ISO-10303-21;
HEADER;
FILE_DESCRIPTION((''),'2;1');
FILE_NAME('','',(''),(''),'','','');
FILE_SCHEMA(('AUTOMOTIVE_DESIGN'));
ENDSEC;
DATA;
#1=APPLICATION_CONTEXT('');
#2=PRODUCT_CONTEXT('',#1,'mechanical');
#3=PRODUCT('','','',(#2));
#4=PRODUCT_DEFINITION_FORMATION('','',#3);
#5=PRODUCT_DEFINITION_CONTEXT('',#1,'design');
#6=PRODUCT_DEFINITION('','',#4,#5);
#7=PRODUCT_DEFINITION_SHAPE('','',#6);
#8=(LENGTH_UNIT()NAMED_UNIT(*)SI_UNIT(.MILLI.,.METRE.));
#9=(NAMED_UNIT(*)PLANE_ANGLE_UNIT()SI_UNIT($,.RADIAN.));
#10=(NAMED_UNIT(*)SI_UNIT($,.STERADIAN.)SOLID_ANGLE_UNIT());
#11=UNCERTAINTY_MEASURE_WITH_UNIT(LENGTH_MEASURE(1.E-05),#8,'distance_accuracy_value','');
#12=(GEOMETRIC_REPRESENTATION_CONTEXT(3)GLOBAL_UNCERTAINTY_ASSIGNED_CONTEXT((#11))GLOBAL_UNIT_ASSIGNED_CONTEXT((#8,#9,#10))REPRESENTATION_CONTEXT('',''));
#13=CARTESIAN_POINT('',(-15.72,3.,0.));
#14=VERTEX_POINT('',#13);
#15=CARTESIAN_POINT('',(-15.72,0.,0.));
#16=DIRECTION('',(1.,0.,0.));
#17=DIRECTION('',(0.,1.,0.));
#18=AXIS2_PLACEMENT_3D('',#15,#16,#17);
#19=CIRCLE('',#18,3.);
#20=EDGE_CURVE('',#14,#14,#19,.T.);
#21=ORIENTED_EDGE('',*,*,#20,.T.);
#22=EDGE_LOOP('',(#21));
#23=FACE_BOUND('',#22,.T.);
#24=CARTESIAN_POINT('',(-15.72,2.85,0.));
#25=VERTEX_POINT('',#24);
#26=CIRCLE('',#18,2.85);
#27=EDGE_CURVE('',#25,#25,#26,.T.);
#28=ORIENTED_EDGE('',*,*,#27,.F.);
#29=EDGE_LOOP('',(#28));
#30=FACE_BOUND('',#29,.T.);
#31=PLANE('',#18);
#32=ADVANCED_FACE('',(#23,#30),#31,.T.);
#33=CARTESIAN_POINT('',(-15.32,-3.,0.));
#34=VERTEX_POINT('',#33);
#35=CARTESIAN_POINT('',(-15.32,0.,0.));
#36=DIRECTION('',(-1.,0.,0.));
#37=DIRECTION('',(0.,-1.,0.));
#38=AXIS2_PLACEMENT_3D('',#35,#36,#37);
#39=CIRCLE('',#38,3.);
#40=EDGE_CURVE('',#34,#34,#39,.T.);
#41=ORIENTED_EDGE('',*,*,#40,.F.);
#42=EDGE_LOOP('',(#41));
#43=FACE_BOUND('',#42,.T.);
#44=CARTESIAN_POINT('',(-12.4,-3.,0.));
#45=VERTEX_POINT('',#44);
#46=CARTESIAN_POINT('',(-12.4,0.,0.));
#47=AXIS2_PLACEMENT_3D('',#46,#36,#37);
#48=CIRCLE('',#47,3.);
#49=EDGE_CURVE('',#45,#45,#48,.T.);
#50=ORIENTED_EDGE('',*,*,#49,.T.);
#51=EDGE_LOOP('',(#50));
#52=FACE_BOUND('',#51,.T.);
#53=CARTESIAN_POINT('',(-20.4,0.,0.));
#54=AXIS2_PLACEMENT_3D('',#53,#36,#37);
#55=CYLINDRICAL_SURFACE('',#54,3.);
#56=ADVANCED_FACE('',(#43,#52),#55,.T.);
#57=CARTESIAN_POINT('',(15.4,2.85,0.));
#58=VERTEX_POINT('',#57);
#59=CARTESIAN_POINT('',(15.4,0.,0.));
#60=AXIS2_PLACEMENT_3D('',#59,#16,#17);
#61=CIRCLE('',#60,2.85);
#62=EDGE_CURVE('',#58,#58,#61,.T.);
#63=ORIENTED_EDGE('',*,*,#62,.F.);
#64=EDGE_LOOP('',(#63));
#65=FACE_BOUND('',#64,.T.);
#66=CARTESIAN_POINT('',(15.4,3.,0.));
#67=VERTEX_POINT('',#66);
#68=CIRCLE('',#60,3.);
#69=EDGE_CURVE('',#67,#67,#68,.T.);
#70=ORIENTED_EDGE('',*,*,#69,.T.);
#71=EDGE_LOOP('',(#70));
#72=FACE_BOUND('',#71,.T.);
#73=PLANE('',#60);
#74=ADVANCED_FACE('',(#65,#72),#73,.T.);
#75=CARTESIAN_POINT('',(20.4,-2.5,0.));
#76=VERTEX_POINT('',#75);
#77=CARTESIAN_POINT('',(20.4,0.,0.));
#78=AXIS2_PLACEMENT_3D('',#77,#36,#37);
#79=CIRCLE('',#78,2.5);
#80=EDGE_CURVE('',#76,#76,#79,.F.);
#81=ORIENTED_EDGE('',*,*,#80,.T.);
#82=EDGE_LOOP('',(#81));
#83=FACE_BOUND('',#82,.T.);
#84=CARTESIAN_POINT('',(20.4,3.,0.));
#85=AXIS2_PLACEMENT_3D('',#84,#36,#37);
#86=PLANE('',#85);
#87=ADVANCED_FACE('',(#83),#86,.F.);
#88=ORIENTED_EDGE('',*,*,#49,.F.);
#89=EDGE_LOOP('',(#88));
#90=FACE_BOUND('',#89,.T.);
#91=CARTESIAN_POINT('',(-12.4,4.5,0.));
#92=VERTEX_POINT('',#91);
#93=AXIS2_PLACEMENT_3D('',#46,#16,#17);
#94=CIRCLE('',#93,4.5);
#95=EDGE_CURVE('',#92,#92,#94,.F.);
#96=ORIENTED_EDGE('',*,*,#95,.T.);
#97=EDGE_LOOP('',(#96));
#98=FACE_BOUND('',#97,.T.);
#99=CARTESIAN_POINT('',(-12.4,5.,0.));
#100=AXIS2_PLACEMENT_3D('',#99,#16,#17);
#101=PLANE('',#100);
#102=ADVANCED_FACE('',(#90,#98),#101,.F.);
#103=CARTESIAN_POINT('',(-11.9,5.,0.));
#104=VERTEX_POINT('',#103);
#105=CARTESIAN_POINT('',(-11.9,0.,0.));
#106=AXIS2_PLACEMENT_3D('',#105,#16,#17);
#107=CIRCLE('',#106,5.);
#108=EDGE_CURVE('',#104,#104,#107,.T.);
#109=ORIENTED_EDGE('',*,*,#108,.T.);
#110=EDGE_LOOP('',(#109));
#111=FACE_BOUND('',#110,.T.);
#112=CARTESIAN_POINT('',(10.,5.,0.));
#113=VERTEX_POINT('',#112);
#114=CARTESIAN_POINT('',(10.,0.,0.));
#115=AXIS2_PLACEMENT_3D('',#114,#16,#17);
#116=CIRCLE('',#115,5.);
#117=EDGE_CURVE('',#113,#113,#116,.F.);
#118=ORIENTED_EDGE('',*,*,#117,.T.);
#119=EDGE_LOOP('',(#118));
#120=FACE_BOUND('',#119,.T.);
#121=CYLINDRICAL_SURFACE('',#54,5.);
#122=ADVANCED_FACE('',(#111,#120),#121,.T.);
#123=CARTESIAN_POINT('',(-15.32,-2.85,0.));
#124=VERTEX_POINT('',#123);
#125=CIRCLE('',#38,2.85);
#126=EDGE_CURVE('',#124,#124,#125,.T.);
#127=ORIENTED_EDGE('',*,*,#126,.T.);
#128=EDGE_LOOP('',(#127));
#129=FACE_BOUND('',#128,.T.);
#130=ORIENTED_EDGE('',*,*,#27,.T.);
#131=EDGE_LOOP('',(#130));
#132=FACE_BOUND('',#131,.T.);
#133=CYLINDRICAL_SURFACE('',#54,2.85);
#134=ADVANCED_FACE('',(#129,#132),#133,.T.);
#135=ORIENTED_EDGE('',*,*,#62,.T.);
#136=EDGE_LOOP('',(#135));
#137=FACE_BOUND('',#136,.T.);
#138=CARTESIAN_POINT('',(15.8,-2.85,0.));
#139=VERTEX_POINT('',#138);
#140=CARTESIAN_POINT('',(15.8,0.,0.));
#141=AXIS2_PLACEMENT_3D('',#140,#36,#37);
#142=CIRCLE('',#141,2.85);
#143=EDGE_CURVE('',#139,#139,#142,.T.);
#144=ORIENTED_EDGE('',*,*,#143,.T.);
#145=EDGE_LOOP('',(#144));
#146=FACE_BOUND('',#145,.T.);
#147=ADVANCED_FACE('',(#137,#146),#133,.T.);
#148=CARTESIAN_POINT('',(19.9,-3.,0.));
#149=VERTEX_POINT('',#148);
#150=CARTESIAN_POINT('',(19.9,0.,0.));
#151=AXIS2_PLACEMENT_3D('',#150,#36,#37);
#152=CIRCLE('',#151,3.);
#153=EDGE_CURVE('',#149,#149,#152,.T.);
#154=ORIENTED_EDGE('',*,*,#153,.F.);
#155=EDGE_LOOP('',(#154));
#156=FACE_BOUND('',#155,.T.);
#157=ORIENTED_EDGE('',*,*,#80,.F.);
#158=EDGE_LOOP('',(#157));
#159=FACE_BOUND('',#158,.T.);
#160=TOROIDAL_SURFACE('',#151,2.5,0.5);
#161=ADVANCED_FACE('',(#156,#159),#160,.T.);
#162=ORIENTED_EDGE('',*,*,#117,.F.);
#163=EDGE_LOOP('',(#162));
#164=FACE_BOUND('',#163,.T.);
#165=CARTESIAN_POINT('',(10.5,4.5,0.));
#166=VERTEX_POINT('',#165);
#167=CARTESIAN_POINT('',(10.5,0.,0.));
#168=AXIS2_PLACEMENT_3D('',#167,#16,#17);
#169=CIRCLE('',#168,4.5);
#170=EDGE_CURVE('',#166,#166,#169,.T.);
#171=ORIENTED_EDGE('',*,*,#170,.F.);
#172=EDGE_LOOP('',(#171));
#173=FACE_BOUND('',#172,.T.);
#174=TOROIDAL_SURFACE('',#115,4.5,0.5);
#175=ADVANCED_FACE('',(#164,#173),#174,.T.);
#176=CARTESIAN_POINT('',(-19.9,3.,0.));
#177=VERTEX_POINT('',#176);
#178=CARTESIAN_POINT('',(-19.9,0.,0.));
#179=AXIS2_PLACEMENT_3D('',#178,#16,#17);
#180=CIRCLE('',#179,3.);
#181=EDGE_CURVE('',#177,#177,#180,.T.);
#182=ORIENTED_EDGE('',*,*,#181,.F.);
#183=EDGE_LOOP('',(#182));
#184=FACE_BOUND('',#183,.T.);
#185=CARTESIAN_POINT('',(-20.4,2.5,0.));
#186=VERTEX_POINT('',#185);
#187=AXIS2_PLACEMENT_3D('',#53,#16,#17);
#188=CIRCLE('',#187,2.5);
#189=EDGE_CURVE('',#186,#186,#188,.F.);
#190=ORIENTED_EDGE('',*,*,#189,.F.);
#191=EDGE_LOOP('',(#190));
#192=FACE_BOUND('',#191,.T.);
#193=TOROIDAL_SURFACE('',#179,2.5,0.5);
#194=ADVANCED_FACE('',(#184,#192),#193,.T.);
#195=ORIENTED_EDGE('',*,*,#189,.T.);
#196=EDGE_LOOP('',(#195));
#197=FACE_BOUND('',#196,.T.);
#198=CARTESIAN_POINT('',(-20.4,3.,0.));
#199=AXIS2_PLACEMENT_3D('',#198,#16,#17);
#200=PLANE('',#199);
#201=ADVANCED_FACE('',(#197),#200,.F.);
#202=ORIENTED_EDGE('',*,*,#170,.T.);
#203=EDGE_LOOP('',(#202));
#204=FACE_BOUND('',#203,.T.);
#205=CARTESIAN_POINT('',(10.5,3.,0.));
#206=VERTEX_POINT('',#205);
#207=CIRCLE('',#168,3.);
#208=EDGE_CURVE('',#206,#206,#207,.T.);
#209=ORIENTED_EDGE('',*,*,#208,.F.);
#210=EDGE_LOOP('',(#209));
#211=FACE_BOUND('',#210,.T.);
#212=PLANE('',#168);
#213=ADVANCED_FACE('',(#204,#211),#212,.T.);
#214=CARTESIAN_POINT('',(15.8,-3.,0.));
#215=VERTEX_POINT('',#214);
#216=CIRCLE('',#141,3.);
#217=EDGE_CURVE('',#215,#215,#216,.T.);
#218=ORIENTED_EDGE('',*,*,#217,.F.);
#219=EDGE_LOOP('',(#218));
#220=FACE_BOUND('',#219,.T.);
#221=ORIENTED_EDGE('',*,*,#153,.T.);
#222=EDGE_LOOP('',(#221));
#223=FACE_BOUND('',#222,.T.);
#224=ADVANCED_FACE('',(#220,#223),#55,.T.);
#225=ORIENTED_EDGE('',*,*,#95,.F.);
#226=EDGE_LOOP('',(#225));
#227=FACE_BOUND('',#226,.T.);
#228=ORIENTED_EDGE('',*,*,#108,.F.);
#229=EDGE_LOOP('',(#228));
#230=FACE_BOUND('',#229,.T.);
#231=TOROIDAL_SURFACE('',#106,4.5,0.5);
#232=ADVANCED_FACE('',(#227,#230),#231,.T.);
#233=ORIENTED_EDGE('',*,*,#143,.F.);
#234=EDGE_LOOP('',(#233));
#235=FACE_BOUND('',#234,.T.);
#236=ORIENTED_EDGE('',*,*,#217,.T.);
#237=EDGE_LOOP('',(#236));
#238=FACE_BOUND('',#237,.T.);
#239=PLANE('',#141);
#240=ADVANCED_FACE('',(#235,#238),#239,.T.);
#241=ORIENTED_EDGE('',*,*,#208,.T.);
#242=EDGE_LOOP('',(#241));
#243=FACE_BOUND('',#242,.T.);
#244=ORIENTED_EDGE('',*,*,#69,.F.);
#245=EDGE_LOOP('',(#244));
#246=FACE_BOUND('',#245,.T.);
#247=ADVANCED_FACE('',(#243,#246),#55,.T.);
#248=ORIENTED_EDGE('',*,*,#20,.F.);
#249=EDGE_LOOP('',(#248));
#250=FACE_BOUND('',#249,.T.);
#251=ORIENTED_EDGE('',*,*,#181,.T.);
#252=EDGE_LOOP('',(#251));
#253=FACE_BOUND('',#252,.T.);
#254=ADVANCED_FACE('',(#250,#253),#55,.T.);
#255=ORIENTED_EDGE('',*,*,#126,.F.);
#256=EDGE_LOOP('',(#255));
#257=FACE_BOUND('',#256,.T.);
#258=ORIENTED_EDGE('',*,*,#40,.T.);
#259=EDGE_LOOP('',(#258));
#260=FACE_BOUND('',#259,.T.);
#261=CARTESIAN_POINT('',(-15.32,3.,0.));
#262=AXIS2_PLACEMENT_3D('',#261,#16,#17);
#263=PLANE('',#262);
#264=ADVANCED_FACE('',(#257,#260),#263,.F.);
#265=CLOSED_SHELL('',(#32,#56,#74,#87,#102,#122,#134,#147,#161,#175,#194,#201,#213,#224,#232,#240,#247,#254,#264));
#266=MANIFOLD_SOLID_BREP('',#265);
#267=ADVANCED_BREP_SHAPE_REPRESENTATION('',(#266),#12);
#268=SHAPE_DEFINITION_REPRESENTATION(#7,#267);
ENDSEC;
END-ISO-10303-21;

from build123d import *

# Parameters (mm, degrees)
SKETCH2_R           = 5
SKETCH2_R_2         = 3
CUT_EXTRUDE2_DEPTH  = 1.9
FILLET1_R           = 0.5
BOSS_EXTRUDE2_START = 0.1
SKETCH4_R           = 3
SKETCH4_R_2         = 2.85
BOSS_EXTRUDE2_DEPTH = 0.1
SKETCH6_R           = 3
SKETCH6_R_2         = 2.85
BOSS_EXTRUDE3_DEPTH = 0.02
BOSS_EXTRUDE4_START = 0.08
SKETCH7_R           = 3
SKETCH7_R_2         = 2.85
BOSS_EXTRUDE4_DEPTH = 0.08


with BuildPart() as part:
    # Sketch1 → Revolve1 (revolve)
    with BuildSketch(Plane.XY, mode=Mode.PRIVATE) as revolve1_sk:
        Polygon((-12.4, 5), (12.4, 5), (12.4, 3), (15.32, 3), (15.32, 2.85), (15.82, 2.85), (15.82, 3), (20.4, 3), (20.4, 0), (-20.4, 0), (-20.4, 3), (-15.82, 3), (-15.82, 2.85), (-15.32, 2.85), (-15.32, 3), (-12.4, 3), align=None)
    revolve(revolve1_sk.sketch.rotate(Axis((-20.4, 0, 0), (1, 0, 0)), 180), axis=Axis((-20.4, 0, 0), (1, 0, 0)))

    # Sketch2 → Cut-Extrude2 (cut)
    with BuildSketch(Plane(origin=(12.4, 0, 0), x_dir=(0, 0, -1), z_dir=(1, 0, 0))):
        with Locations(Location((0, 0, 0), (0, 0, 270))):
            Circle(SKETCH2_R)
        with Locations(Location((0, 0, 0), (0, 0, 270))):
            Circle(SKETCH2_R_2, mode=Mode.SUBTRACT)
    extrude(amount=-CUT_EXTRUDE2_DEPTH, mode=Mode.SUBTRACT)

    # Fillet1
    fillet1_edges = [part.edges().sort_by_distance(p)[0] for p in [
        (20.4, 3, 0),
        (-20.4, 3, 0),
        (-12.4, 5, 0),
        (10.5, 5, 0),
    ]]
    fillet(fillet1_edges, radius=FILLET1_R)

    # Sketch4 → Boss-Extrude2 (add)
    with BuildSketch(Plane(origin=(-15.82, 0, 0), x_dir=(0, 0, -1), z_dir=(1, 0, 0)).offset(BOSS_EXTRUDE2_START)):
        with Locations(Location((0, 0, 0), (0, 0, 270))):
            Circle(SKETCH4_R)
        with Locations(Location((0, 0, 0), (0, 0, 270))):
            Circle(SKETCH4_R_2, mode=Mode.SUBTRACT)
    extrude(amount=-BOSS_EXTRUDE2_DEPTH)

    # Sketch6 → Boss-Extrude3 (add)
    with BuildSketch(Plane.ZY.offset(-15.82)):
        with Locations(Location((0, 0, 0), (0, 0, 270))):
            Circle(SKETCH6_R)
        with Locations(Location((0, 0, 0), (0, 0, 270))):
            Circle(SKETCH6_R_2, mode=Mode.SUBTRACT)
    extrude(amount=BOSS_EXTRUDE3_DEPTH)

    # Sketch7 → Boss-Extrude4 (add)
    with BuildSketch(Plane(origin=(15.32, 0, 0), x_dir=(0, 0, -1), z_dir=(1, 0, 0)).offset(BOSS_EXTRUDE4_START)):
        with Locations(Location((0, 0, 0), (0, 0, 270))):
            Circle(SKETCH7_R)
        with Locations(Location((0, 0, 0), (0, 0, 270))):
            Circle(SKETCH7_R_2, mode=Mode.SUBTRACT)
    extrude(amount=-BOSS_EXTRUDE4_DEPTH)


solid = part.part
